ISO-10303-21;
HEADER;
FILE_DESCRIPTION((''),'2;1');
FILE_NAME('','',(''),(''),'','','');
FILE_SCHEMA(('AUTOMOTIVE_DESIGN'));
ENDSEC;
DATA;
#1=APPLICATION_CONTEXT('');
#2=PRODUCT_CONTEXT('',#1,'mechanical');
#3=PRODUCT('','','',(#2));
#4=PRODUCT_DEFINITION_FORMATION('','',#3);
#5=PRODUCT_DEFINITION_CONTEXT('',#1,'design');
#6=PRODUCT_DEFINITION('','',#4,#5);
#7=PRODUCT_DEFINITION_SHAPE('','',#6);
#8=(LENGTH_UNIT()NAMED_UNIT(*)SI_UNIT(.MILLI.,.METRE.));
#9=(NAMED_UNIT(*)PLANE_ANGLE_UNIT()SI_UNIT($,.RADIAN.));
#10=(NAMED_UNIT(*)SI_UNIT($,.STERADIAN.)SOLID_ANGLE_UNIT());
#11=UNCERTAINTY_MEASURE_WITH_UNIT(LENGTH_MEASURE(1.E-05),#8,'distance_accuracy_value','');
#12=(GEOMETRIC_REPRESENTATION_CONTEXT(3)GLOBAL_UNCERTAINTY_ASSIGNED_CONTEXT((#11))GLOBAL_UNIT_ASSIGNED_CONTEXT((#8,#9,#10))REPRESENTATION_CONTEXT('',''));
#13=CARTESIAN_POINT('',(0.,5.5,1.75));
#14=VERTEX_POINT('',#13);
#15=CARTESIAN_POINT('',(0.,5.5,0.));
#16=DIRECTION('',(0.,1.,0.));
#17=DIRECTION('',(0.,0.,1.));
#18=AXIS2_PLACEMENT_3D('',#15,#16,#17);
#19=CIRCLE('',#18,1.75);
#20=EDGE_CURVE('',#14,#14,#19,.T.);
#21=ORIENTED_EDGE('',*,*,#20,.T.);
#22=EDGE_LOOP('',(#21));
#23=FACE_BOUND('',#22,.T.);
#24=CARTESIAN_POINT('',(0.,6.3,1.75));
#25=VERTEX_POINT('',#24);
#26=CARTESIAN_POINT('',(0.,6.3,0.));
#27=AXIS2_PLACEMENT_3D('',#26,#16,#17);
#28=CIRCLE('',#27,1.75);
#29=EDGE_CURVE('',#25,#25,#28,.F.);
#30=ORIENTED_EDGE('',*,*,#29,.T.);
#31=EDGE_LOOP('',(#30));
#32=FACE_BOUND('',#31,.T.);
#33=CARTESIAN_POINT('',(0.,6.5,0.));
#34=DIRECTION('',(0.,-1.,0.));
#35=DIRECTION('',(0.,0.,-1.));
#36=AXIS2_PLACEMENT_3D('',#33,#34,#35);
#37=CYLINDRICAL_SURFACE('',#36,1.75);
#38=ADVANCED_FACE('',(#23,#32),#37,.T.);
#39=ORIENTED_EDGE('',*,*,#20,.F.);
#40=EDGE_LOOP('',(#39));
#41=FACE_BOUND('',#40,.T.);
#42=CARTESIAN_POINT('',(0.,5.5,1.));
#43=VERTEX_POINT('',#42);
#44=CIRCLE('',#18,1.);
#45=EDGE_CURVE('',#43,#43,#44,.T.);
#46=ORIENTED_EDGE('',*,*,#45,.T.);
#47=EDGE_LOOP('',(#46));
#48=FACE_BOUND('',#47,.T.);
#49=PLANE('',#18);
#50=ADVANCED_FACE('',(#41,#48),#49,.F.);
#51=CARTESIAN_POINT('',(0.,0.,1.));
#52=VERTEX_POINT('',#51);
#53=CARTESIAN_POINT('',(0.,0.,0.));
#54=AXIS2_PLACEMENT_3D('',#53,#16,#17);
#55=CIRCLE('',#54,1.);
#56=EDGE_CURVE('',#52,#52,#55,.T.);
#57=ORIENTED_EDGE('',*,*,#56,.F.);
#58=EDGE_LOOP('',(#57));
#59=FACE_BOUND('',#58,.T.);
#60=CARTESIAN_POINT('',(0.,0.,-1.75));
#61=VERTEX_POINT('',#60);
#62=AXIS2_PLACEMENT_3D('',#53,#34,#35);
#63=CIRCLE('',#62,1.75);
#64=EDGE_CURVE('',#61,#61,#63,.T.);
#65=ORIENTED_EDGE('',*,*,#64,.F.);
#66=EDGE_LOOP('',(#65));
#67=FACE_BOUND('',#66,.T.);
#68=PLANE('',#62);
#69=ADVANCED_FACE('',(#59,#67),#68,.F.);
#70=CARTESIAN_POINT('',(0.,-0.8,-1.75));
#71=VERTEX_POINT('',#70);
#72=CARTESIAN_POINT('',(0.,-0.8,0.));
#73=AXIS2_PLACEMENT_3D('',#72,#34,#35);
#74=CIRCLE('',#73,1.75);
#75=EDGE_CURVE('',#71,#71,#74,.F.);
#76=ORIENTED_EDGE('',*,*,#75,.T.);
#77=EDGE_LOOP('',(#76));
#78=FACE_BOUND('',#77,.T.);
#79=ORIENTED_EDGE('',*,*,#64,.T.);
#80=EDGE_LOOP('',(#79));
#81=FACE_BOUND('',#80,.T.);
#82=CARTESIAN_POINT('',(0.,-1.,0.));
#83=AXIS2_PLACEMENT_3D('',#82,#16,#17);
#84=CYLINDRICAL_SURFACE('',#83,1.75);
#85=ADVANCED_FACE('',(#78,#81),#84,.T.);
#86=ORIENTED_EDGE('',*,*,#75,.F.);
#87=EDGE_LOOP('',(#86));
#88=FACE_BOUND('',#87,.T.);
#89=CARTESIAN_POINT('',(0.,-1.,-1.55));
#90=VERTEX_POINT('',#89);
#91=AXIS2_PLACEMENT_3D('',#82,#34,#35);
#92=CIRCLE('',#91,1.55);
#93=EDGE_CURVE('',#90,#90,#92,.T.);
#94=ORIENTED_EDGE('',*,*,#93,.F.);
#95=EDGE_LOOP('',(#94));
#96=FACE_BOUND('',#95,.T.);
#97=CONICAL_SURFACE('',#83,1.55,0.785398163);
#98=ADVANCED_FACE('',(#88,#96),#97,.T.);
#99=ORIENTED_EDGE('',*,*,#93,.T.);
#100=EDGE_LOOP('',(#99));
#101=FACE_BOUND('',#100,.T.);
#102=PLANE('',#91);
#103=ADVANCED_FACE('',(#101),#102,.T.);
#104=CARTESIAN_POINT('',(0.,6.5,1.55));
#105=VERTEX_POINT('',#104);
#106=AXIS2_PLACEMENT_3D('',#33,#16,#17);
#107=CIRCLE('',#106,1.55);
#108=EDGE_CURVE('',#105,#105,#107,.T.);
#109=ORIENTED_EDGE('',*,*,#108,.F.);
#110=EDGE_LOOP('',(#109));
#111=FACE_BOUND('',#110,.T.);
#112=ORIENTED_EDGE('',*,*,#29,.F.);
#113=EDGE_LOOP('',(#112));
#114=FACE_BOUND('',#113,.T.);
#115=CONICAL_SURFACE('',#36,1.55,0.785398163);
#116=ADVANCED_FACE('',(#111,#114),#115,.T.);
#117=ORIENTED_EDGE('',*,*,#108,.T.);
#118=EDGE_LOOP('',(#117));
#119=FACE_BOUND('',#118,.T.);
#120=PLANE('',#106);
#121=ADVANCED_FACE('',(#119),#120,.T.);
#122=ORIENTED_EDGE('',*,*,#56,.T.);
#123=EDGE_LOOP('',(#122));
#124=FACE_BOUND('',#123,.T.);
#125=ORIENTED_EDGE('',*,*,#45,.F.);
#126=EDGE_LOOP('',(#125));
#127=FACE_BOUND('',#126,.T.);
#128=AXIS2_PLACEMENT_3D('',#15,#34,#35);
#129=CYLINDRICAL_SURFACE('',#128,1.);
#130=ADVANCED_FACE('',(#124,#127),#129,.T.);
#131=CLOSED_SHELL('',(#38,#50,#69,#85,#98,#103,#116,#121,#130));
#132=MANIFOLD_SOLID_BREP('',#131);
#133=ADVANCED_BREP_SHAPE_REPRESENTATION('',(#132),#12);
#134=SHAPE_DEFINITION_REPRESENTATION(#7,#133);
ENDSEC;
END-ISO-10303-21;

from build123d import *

# Parameters (mm, degrees)
SKETCH1_R           = 1
BOSS_EXTRUDE1_DEPTH = 5.5
SKETCH2_R           = 1.75
BOSS_EXTRUDE2_DEPTH = 1
CHAMFER1_SIZE       = 0.2
SKETCH3_R           = 1.75
BOSS_EXTRUDE3_DEPTH = 1
CHAMFER2_SIZE       = 0.2


with BuildPart() as part:
    # Sketch1 → Boss-Extrude1 (new body)
    with BuildSketch(Plane(origin=(0, 0, 0), x_dir=(1, 0, 0), z_dir=(0, 1, 0))):
        Circle(SKETCH1_R)
    extrude(amount=BOSS_EXTRUDE1_DEPTH)

    # Sketch2 → Boss-Extrude2 (add)
    with BuildSketch(Plane(origin=(0, 5.5, 0), x_dir=(1, 0, 0), z_dir=(0, 1, 0))):
        Circle(SKETCH2_R)
    extrude(amount=BOSS_EXTRUDE2_DEPTH)

    # Chamfer1
    chamfer1_edges = [part.edges().sort_by_distance(p)[0] for p in [
        (-1.75, 6.5, 0),
    ]]
    chamfer(chamfer1_edges, length=CHAMFER1_SIZE)

    # Sketch3 → Boss-Extrude3 (add)
    with BuildSketch(Plane.XZ):
        Circle(SKETCH3_R)
    extrude(amount=BOSS_EXTRUDE3_DEPTH)

    # Chamfer2
    chamfer2_edges = [part.edges().sort_by_distance(p)[0] for p in [
        (-1.75, -1, 0),
    ]]
    chamfer(chamfer2_edges, length=CHAMFER2_SIZE)


solid = part.part
